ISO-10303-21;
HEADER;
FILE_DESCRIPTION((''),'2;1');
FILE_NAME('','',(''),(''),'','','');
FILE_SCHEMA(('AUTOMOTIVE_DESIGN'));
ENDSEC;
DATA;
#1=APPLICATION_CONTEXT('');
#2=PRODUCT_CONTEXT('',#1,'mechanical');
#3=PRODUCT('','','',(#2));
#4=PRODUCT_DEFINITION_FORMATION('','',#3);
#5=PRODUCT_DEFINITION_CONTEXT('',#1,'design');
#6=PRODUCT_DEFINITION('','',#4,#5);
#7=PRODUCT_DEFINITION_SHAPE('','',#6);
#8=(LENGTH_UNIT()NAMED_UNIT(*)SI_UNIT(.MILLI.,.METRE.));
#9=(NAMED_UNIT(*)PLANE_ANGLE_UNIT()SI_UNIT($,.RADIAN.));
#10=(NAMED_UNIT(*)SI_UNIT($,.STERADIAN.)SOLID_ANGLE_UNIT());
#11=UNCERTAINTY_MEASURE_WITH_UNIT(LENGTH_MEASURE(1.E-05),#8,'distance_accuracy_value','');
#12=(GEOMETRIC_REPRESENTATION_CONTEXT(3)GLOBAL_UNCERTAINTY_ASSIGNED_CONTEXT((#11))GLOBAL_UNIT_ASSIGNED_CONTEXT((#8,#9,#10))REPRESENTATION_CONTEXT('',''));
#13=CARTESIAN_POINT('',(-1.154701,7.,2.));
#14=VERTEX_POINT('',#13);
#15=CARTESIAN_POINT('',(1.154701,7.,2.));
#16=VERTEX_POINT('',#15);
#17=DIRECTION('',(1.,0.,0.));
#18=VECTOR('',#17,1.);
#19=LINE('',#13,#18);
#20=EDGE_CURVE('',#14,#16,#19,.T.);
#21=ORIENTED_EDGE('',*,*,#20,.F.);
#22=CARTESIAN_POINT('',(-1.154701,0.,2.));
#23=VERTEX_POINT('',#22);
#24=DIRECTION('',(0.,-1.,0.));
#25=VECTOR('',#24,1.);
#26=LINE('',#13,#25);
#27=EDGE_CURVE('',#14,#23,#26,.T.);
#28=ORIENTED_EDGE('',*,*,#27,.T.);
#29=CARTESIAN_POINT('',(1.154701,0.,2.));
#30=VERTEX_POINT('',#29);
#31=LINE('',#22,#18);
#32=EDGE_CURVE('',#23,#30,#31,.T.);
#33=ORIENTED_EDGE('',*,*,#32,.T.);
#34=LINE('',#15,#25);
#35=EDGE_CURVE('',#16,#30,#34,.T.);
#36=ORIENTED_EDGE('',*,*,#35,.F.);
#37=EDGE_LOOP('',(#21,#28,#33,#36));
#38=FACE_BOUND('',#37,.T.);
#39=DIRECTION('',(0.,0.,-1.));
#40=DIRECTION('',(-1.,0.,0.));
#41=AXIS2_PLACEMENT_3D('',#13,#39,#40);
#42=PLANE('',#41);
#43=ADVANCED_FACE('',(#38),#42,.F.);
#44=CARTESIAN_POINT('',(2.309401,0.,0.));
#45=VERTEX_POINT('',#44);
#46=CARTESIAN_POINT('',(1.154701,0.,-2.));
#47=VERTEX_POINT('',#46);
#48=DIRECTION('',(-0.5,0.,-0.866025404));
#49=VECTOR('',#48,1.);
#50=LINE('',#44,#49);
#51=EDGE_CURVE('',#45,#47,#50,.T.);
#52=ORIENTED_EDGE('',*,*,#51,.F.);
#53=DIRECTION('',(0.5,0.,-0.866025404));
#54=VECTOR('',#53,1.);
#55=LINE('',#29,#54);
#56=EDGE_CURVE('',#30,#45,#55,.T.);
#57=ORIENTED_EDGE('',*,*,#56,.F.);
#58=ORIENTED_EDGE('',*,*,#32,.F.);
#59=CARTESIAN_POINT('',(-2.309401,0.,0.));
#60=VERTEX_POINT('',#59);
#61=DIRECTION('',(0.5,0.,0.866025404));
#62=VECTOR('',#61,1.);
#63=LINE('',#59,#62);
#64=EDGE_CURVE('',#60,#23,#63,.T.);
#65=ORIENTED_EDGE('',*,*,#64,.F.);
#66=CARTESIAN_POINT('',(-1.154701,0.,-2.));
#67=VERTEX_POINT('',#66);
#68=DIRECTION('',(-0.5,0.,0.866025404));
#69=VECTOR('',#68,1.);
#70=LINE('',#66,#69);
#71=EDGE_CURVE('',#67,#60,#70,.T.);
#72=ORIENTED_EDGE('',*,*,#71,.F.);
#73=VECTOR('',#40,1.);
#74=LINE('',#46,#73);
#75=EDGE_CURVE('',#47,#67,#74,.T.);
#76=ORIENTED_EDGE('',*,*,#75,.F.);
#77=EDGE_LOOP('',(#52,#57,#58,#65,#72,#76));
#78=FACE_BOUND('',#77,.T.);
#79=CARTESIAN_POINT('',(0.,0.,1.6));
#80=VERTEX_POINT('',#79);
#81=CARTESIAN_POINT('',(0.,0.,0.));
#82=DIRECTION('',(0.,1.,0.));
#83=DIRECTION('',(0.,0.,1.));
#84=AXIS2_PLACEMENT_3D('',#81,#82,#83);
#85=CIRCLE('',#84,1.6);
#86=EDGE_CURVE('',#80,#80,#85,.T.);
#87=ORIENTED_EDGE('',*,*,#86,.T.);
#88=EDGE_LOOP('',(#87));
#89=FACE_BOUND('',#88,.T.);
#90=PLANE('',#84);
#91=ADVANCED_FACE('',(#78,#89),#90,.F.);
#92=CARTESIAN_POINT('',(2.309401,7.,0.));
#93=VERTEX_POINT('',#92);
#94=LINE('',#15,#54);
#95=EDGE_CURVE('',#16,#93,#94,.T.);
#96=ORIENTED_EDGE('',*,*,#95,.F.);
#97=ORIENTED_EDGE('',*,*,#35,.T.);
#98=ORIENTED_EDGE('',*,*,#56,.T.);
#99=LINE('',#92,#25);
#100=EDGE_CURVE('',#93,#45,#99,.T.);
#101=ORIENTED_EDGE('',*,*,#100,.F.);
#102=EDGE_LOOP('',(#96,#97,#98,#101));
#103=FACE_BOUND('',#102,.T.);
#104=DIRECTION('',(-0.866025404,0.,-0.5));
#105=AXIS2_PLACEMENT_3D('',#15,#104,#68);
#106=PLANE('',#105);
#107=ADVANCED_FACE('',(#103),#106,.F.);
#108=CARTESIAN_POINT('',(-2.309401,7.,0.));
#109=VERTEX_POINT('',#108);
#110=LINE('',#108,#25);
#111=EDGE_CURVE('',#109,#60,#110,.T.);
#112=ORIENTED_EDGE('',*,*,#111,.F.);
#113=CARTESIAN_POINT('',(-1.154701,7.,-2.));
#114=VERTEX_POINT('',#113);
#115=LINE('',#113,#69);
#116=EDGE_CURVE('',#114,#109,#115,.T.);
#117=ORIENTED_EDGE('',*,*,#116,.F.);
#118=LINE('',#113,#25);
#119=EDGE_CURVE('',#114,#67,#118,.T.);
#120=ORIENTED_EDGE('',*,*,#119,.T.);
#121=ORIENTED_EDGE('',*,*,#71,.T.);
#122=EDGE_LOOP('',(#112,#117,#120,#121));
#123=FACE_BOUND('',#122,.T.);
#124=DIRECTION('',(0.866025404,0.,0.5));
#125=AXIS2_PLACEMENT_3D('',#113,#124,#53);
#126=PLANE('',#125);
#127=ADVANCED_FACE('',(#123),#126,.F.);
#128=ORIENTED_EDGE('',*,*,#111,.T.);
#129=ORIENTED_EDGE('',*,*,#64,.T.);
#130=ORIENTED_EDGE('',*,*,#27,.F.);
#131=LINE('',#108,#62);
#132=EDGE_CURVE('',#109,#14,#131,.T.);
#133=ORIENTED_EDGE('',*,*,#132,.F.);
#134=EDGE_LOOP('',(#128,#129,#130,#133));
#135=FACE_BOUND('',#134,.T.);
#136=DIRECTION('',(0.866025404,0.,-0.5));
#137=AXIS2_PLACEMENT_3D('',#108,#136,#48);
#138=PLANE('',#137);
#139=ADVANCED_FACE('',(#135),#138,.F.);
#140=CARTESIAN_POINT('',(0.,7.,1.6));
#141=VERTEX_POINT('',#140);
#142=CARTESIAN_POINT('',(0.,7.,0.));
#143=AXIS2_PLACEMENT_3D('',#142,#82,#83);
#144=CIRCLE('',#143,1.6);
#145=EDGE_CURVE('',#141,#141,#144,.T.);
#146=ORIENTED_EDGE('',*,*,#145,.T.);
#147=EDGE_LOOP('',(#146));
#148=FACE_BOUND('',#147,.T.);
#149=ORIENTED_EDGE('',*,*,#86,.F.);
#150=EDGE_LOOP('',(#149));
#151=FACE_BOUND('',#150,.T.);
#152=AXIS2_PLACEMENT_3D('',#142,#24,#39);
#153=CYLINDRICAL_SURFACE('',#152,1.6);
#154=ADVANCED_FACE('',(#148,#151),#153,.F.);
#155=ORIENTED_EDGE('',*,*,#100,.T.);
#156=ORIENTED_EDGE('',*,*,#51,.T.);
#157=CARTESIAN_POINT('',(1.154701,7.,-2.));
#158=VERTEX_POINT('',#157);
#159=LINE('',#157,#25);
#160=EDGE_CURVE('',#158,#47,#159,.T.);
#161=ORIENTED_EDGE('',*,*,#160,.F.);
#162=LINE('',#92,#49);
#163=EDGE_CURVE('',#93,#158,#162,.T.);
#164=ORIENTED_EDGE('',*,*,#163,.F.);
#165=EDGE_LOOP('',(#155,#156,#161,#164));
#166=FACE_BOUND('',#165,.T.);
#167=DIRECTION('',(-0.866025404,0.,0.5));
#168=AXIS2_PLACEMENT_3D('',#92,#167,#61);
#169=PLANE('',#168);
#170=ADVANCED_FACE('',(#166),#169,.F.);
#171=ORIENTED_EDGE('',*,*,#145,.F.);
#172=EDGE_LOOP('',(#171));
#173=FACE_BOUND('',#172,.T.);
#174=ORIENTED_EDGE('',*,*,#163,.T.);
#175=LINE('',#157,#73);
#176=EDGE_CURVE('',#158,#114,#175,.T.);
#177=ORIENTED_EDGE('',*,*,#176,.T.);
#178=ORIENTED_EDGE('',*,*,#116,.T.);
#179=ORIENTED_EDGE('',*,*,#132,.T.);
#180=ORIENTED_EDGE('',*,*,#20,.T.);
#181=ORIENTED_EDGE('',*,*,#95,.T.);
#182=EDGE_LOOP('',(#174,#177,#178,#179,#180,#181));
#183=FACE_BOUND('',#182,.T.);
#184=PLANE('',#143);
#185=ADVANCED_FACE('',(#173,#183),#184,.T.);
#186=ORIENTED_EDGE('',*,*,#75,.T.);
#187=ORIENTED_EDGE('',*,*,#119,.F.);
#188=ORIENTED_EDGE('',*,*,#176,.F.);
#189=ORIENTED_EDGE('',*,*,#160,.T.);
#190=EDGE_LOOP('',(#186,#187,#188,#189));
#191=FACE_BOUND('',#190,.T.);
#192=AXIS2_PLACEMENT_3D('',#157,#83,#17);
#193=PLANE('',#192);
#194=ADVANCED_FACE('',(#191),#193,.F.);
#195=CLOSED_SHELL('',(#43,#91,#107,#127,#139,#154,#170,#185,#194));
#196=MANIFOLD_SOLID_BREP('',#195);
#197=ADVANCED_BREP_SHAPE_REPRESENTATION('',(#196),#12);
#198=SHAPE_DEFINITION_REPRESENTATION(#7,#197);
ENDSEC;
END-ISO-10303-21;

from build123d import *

# Parameters (mm, degrees)
SKETCH_1_R      = 1.6
EXTRUDE_2_DEPTH = 7


with BuildPart() as part:
    # 스케치1 → 보스-돌출2 (new body)
    with BuildSketch(Plane(origin=(0, 0, 0), x_dir=(1, 0, 0), z_dir=(0, 1, 0))):
        Polygon((2.309401077, 0), (1.154700538, 2), (-1.154700538, 2), (-2.309401077, 0), (-1.154700538, -2), (1.154700538, -2), align=None)
        with Locations(Location((0, 0, 0), (0, 0, 270))):
            Circle(SKETCH_1_R, mode=Mode.SUBTRACT)
    extrude(amount=EXTRUDE_2_DEPTH)


solid = part.part
